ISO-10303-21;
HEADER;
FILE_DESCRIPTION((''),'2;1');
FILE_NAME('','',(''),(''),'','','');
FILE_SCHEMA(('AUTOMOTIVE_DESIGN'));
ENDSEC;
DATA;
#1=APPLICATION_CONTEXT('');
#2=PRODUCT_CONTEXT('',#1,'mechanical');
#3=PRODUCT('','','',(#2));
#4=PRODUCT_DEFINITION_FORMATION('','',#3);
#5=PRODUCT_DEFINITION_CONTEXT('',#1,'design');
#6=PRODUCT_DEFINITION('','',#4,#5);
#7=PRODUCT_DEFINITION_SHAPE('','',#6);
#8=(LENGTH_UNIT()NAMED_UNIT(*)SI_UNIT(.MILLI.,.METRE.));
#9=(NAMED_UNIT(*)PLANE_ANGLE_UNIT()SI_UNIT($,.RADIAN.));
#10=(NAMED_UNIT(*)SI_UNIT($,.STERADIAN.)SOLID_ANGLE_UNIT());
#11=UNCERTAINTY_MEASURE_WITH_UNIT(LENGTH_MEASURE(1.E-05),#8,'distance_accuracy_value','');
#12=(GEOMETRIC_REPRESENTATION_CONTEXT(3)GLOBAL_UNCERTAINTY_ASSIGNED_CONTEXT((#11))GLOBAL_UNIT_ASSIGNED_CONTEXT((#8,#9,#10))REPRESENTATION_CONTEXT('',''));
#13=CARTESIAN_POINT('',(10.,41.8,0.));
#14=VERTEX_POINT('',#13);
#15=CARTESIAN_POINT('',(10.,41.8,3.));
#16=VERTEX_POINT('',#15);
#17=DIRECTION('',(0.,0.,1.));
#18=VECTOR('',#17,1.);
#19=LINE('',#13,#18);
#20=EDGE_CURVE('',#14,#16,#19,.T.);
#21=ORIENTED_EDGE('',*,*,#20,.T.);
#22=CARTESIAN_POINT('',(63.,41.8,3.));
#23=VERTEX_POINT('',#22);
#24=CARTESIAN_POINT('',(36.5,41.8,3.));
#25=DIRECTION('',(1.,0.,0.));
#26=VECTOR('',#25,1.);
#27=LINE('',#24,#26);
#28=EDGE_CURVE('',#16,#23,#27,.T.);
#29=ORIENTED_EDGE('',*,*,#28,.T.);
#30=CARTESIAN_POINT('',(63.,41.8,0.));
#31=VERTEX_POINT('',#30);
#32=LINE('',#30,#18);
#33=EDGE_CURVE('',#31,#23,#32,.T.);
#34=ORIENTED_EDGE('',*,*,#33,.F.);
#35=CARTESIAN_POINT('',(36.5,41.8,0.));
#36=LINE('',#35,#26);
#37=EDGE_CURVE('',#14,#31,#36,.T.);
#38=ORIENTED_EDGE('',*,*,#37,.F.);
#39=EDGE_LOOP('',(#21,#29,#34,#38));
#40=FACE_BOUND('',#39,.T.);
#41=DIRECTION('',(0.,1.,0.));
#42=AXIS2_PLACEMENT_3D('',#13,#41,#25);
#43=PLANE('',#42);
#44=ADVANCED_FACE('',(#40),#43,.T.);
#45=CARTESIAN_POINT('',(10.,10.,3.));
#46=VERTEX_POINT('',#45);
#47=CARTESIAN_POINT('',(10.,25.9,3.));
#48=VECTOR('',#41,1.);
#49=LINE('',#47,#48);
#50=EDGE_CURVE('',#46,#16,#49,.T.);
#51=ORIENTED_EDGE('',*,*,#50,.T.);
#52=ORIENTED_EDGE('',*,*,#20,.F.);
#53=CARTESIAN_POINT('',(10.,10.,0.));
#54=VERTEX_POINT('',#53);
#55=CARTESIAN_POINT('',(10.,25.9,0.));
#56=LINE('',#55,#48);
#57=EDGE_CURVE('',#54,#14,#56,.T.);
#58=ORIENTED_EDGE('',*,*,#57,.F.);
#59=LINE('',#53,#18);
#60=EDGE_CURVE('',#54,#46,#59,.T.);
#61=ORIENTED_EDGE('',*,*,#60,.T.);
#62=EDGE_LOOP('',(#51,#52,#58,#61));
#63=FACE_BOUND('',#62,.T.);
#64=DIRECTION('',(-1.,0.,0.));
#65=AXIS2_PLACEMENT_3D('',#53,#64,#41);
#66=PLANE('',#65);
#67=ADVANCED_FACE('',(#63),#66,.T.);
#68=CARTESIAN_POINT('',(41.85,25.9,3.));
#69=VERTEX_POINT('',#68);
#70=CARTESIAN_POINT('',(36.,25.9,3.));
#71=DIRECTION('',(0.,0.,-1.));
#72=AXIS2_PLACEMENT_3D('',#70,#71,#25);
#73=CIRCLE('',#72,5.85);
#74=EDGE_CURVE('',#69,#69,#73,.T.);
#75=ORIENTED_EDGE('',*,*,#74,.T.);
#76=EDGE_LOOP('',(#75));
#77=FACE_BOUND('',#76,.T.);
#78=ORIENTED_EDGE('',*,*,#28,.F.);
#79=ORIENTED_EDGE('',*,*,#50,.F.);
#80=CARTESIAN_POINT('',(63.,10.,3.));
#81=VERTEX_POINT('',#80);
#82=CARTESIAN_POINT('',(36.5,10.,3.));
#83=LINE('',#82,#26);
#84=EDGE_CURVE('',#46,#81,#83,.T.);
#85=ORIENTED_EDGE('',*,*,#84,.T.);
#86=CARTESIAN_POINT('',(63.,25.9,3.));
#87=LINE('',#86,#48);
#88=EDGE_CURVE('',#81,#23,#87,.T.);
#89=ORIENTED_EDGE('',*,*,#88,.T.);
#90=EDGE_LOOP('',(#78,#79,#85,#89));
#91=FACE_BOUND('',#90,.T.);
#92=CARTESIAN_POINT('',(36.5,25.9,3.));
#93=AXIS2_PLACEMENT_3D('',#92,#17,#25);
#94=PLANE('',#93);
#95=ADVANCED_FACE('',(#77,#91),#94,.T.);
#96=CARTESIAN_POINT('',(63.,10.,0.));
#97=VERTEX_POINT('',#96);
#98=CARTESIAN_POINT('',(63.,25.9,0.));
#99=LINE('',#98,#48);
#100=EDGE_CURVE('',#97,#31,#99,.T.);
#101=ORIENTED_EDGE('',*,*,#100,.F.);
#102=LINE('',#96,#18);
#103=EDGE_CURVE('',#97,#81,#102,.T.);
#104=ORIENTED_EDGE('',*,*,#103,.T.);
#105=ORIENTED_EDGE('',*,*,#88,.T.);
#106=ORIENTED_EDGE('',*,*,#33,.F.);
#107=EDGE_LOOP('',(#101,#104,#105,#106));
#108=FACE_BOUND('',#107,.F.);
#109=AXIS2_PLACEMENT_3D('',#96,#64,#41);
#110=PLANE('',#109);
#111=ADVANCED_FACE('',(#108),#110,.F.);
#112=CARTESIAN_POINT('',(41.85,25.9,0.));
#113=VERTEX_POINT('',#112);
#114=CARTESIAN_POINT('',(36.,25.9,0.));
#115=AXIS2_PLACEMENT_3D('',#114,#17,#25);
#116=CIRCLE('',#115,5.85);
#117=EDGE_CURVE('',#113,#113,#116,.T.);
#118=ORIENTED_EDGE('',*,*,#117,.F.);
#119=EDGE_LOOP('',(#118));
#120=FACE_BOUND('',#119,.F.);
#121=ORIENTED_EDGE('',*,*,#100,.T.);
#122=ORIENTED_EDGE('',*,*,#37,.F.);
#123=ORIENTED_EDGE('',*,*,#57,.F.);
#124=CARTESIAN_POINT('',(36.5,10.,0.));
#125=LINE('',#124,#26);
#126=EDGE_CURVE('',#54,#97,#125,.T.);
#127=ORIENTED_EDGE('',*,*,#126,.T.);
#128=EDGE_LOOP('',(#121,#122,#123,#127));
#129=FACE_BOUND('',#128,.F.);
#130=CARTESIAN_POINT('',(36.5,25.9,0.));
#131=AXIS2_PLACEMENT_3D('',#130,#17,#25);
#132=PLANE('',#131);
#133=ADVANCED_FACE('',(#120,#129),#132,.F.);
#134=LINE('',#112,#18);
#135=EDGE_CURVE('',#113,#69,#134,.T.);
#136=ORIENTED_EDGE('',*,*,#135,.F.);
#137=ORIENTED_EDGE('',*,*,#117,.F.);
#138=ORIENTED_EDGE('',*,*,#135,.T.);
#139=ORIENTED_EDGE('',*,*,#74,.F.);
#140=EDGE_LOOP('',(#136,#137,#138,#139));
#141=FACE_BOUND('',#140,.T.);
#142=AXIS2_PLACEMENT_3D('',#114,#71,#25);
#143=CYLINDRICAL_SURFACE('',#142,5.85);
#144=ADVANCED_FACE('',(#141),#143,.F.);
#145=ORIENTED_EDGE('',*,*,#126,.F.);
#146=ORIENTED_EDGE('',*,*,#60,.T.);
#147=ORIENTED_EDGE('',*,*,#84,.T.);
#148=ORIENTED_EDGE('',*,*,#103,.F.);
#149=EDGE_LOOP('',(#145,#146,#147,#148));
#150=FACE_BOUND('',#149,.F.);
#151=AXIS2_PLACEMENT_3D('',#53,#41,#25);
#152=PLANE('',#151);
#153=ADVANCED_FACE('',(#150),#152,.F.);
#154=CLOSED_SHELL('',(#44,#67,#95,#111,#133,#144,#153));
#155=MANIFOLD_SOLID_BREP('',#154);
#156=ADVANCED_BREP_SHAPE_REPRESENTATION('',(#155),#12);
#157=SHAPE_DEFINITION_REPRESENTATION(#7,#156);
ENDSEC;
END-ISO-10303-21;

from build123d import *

# Parameters (mm, degrees)
SKETCH_W     = 53
SKETCH_H     = 31.8
PAD_DEPTH    = 3
SKETCH001_R  = 5.85
POCKET_DEPTH = 3.001


with BuildPart() as part:
    # Sketch → Pad (new body)
    with BuildSketch(Plane.XY):
        with Locations((36.5, 25.9)):
            Rectangle(SKETCH_W, SKETCH_H)
    extrude(amount=PAD_DEPTH)

    # Sketch001 → Pocket (cut, through all)
    with BuildSketch(Plane.XY):
        with Locations((36, 25.9)):
            Circle(SKETCH001_R)
    extrude(amount=POCKET_DEPTH, mode=Mode.SUBTRACT)


solid = part.part
